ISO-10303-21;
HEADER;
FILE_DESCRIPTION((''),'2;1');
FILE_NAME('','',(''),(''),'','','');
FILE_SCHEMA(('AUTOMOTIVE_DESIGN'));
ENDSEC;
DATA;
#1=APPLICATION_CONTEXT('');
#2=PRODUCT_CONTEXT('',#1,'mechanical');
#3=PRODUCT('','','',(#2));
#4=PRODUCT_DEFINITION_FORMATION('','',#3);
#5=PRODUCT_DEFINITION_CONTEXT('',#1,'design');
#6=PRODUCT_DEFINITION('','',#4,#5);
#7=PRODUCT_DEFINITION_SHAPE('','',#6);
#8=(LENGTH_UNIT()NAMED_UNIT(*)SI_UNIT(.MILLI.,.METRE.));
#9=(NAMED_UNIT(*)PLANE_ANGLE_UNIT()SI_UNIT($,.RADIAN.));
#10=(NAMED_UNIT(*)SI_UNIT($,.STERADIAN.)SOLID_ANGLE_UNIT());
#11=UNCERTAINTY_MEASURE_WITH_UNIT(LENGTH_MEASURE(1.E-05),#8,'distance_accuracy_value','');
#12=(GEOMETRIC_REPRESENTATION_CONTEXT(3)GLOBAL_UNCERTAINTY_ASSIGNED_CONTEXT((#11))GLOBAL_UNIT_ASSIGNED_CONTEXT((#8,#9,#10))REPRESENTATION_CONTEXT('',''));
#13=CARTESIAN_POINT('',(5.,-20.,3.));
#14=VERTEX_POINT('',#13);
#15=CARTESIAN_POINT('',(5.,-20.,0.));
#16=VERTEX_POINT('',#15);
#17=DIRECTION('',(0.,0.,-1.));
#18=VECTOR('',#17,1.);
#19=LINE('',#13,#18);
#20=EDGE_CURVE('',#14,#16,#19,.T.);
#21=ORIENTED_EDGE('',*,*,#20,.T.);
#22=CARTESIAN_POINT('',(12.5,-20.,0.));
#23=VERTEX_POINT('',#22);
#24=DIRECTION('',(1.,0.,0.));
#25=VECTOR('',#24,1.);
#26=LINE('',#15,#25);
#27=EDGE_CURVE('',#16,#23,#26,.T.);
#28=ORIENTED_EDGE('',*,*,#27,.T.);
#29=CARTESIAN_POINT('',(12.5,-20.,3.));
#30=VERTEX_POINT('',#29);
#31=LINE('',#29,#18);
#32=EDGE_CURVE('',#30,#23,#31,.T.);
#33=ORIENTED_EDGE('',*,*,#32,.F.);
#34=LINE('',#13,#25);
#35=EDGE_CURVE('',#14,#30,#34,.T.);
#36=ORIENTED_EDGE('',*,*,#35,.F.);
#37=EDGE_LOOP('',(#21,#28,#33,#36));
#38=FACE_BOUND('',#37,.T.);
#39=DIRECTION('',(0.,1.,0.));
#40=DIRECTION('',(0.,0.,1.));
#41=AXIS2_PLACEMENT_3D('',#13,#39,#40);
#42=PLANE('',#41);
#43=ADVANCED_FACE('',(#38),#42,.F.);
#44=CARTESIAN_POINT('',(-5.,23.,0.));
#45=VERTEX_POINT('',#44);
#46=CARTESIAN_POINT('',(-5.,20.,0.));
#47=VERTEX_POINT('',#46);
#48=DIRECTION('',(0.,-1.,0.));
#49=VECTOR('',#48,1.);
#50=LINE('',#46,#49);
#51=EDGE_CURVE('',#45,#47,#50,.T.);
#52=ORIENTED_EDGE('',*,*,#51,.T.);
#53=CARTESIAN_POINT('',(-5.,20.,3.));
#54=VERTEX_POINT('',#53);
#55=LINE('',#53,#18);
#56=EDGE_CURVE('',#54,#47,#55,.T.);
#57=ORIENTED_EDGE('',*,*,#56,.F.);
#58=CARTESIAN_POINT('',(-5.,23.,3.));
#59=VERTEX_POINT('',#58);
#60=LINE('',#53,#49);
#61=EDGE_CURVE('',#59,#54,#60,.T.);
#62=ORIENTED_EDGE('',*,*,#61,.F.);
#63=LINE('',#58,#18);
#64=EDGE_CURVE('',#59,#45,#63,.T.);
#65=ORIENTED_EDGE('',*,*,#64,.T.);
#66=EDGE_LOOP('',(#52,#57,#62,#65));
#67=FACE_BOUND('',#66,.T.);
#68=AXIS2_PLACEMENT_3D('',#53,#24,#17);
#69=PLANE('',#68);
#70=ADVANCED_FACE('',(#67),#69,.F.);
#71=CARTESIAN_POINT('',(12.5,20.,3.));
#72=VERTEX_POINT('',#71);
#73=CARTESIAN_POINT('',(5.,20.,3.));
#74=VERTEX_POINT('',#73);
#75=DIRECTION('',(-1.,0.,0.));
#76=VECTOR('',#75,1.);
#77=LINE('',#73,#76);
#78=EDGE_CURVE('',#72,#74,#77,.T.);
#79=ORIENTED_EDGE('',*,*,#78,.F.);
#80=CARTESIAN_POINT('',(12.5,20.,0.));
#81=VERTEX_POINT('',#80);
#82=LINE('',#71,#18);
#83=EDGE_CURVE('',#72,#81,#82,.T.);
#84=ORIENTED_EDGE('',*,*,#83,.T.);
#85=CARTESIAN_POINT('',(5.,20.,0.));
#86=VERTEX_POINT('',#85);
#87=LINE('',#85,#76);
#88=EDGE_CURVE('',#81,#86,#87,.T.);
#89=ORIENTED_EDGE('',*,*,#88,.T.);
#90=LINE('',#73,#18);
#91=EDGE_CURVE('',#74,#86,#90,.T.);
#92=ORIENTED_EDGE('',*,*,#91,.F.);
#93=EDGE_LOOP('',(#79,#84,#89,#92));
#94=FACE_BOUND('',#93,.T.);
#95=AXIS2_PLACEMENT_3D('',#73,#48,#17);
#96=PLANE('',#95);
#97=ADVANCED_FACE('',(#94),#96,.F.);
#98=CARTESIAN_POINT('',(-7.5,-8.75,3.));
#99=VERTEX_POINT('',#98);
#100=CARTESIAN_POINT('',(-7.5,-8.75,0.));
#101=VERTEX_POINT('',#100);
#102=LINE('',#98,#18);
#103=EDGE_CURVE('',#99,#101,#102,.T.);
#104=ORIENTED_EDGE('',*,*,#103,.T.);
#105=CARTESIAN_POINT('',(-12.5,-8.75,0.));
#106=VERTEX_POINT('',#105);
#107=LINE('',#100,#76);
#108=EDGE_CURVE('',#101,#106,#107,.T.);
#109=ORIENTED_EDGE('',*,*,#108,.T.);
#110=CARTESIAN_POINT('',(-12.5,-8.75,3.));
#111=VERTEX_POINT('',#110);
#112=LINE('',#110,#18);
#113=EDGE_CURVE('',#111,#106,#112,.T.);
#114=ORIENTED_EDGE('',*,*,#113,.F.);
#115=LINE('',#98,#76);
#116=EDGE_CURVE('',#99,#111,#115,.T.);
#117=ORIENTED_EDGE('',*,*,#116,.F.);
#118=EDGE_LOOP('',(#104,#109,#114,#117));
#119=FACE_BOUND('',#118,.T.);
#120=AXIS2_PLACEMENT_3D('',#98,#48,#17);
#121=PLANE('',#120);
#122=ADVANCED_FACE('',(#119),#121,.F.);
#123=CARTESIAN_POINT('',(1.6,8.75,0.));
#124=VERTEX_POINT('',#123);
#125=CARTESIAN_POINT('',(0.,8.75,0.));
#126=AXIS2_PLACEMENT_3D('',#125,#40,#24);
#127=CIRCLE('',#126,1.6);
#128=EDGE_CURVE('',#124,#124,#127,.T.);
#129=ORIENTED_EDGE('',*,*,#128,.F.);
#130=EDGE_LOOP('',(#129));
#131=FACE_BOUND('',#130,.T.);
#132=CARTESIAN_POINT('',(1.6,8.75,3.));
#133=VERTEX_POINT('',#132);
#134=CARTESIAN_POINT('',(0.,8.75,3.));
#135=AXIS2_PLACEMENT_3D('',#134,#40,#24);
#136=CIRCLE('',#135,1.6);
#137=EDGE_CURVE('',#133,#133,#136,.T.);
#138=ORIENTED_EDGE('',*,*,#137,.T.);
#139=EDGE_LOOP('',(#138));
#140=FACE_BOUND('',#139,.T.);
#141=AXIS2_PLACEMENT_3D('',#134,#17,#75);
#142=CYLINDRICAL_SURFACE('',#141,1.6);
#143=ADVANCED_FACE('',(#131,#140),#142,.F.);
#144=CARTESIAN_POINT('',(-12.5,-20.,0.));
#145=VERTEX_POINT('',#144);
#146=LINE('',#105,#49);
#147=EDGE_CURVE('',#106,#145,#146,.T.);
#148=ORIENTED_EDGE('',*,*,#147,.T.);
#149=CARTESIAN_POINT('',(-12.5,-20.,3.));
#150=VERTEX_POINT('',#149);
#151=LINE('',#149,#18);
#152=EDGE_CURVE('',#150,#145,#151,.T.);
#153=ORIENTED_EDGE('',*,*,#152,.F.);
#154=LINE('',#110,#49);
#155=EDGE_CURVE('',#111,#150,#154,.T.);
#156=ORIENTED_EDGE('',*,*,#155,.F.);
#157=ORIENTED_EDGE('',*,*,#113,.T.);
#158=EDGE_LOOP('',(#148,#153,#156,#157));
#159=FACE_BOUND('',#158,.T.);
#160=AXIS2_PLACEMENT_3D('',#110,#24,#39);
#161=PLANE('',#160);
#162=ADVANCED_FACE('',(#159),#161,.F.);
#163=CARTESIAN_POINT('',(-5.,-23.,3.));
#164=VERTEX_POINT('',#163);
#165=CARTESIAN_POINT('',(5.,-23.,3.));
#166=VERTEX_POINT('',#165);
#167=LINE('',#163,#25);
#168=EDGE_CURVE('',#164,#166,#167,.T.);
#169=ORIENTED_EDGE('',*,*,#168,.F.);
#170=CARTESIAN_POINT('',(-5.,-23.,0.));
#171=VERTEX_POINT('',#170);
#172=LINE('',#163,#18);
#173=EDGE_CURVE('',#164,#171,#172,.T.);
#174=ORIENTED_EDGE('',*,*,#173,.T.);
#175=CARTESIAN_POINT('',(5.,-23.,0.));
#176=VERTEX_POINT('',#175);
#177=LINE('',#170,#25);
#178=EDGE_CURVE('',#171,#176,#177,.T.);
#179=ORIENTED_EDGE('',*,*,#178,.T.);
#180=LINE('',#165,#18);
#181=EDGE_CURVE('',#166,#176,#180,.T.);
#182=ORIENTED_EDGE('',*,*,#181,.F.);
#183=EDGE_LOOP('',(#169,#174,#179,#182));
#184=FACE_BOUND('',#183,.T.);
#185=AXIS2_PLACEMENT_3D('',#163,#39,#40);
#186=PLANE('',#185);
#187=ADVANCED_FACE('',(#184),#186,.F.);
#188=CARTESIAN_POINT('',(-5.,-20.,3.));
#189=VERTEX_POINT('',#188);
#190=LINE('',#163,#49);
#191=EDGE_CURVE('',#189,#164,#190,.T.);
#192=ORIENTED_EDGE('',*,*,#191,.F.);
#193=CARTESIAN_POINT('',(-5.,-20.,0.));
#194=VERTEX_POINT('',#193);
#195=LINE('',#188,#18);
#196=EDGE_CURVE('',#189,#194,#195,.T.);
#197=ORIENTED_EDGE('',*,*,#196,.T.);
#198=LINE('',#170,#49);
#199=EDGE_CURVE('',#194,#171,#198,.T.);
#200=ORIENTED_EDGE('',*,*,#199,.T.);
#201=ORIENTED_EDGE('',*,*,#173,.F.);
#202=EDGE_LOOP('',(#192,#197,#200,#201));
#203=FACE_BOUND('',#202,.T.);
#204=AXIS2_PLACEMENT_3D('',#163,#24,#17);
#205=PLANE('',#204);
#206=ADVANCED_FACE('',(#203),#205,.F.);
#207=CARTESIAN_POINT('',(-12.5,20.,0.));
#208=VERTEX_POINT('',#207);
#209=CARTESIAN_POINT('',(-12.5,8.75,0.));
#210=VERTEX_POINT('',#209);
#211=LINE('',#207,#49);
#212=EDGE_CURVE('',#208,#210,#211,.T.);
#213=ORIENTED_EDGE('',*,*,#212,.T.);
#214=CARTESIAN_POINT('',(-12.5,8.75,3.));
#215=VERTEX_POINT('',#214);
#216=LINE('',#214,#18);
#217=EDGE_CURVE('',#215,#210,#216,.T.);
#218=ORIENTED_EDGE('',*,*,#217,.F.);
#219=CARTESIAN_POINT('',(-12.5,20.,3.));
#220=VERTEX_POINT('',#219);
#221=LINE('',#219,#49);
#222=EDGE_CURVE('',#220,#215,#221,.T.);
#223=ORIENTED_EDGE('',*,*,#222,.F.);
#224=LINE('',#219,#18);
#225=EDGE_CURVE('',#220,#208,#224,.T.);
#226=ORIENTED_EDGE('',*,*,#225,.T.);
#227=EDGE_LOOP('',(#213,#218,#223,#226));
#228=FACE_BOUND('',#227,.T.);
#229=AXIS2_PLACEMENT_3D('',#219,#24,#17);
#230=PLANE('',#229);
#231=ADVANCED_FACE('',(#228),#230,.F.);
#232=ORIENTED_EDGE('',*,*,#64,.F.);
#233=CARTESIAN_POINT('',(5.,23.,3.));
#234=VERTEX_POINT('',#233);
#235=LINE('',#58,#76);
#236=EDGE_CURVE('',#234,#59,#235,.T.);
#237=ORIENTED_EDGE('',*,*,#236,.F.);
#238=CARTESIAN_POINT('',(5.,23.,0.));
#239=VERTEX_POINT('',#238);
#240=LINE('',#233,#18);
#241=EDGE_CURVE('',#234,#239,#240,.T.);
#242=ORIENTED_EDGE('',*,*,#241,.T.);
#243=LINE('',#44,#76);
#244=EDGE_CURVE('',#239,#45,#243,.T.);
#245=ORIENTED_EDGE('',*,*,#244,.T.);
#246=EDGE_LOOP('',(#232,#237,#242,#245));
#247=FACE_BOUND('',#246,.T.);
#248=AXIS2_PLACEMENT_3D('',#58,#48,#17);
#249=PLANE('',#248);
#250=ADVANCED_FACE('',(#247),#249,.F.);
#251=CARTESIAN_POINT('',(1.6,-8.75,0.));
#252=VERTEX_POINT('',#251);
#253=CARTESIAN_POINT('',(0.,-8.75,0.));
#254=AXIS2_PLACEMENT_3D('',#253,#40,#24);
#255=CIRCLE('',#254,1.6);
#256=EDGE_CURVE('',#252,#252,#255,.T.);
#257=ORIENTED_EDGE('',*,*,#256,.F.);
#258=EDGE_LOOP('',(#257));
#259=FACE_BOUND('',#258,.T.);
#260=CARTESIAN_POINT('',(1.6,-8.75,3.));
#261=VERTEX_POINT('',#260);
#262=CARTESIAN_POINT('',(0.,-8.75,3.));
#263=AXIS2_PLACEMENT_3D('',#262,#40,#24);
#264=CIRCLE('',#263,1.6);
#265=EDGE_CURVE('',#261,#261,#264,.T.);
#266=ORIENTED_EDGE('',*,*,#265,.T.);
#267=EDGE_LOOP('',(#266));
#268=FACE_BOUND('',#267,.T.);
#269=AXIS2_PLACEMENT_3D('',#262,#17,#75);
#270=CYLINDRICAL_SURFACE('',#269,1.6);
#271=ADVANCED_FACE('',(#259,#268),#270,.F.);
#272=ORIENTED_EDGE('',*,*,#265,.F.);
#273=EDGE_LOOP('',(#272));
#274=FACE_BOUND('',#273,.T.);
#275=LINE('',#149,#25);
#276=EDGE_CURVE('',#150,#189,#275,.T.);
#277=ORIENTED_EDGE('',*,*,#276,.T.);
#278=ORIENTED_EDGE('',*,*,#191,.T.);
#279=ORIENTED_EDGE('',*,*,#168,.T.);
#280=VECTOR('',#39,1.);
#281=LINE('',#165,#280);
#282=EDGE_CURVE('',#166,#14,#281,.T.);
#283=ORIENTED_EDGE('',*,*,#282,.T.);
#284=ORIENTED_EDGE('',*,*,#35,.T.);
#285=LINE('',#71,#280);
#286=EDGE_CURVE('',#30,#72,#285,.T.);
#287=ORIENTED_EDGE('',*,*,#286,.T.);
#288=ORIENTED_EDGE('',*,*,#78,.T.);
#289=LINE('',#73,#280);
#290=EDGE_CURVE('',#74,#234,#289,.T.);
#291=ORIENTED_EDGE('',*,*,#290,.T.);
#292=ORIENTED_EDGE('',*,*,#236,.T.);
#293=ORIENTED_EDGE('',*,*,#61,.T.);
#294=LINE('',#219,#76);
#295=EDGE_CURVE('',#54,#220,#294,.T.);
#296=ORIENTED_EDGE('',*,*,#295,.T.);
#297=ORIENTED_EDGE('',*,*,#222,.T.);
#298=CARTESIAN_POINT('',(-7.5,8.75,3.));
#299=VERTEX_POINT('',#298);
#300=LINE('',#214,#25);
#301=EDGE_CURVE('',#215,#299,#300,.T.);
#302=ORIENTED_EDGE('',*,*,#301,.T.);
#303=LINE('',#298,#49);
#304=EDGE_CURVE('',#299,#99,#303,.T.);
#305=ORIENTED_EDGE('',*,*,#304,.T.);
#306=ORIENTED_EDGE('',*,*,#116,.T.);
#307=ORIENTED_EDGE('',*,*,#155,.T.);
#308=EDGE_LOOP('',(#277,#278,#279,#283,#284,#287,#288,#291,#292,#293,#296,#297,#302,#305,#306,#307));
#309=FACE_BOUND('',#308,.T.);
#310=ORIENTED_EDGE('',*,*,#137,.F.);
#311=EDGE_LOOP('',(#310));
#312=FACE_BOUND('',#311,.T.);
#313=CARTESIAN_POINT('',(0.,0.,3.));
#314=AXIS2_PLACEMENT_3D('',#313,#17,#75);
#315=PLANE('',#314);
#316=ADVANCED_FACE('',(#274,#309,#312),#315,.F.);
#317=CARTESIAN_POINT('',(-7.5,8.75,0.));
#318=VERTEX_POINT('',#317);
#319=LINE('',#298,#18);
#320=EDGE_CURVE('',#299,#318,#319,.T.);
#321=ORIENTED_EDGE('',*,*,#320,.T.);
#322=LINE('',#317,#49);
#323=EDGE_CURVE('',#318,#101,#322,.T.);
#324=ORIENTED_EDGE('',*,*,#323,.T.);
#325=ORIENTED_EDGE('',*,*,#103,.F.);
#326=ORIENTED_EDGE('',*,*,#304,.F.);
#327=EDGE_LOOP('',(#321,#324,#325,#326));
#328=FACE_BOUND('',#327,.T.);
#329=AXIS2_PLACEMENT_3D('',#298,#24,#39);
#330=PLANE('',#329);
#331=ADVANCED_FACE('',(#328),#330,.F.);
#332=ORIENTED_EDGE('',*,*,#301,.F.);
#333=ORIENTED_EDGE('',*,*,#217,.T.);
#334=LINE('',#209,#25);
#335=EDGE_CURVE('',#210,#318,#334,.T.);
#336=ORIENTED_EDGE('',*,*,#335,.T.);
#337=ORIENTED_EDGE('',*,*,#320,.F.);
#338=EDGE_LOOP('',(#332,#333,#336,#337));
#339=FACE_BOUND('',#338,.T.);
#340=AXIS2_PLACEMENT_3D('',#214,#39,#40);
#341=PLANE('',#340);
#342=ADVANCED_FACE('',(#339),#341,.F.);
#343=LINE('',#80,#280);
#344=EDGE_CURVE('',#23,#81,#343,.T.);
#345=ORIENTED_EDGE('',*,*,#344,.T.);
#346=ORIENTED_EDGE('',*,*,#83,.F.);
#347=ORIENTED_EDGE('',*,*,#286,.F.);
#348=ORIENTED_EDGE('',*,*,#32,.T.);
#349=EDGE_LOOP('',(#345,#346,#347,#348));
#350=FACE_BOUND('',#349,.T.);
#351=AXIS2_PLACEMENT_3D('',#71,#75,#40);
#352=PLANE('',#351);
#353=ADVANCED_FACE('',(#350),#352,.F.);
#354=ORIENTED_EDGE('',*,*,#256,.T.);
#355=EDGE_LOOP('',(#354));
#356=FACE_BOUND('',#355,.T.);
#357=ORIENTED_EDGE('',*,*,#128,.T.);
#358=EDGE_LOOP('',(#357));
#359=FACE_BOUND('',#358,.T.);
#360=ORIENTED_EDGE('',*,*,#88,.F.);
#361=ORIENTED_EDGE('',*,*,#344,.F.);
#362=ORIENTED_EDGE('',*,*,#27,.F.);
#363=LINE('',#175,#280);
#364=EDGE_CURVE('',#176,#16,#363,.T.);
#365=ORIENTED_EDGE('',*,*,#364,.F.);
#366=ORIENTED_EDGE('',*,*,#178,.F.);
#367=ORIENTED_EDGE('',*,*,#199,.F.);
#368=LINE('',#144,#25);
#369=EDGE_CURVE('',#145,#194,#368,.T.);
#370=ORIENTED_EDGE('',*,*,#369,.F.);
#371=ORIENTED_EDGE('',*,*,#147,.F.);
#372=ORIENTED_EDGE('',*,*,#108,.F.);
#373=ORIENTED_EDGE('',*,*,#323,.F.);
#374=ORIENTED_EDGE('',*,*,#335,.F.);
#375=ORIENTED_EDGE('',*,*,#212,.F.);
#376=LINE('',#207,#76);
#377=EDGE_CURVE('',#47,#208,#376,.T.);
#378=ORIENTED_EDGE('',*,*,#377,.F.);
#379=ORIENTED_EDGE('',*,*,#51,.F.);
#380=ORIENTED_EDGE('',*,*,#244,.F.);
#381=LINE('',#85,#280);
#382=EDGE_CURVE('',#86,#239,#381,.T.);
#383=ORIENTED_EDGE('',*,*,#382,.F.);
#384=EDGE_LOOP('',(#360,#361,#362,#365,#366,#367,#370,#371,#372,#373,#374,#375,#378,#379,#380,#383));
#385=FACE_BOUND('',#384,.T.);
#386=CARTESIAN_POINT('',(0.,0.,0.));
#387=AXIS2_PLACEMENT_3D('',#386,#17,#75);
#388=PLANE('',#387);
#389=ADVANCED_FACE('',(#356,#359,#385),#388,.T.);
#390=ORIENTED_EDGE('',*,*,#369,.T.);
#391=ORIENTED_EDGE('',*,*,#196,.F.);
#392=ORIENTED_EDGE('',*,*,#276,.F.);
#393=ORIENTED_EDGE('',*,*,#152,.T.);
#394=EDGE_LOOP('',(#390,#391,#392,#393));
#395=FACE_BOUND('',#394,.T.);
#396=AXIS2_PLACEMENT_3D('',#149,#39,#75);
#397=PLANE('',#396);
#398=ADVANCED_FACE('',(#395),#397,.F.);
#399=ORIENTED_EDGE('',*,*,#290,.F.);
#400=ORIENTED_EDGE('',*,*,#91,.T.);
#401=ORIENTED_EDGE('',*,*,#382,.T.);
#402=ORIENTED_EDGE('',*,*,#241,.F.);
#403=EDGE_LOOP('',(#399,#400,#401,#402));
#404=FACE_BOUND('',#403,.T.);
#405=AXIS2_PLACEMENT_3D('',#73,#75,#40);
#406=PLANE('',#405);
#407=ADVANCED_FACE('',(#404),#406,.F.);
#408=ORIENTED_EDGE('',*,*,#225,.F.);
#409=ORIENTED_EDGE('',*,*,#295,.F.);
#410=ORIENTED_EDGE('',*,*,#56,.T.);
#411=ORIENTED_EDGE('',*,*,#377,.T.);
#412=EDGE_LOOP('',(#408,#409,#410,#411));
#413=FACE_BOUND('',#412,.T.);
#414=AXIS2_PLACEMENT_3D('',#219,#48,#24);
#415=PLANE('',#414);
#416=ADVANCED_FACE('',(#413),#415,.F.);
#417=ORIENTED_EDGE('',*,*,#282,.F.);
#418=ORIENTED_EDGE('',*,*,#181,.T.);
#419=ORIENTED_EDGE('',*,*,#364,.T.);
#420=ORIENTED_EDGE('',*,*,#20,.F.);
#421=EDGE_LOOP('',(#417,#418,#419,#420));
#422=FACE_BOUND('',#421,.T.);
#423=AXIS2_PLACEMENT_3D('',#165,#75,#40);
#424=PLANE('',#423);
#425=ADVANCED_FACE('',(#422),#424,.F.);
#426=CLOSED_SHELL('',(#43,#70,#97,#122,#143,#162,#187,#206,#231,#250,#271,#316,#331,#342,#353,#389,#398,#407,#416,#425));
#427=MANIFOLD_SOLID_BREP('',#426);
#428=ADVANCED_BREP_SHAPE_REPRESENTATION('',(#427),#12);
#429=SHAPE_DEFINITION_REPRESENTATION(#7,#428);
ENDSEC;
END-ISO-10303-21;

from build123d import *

# Parameters (mm, degrees)
SKETCH1_R           = 1.6
BOSS_EXTRUDE1_DEPTH = 3


with BuildPart() as part:
    # Sketch1 → Boss-Extrude1 (new body)
    with BuildSketch(Plane.XY):
        Polygon((-5, 20), (-5, 23), (5, 23), (5, 20), (12.5, 20), (12.5, -20), (5, -20), (5, -23), (-5, -23), (-5, -20), (-12.5, -20), (-12.5, -8.75), (-7.5, -8.75), (-7.5, 8.75), (-12.5, 8.75), (-12.5, 20), align=None)
        with Locations((0, 8.75)):
            Circle(SKETCH1_R, mode=Mode.SUBTRACT)
        with Locations((0, -8.75)):
            Circle(SKETCH1_R, mode=Mode.SUBTRACT)
    extrude(amount=BOSS_EXTRUDE1_DEPTH)


solid = part.part
